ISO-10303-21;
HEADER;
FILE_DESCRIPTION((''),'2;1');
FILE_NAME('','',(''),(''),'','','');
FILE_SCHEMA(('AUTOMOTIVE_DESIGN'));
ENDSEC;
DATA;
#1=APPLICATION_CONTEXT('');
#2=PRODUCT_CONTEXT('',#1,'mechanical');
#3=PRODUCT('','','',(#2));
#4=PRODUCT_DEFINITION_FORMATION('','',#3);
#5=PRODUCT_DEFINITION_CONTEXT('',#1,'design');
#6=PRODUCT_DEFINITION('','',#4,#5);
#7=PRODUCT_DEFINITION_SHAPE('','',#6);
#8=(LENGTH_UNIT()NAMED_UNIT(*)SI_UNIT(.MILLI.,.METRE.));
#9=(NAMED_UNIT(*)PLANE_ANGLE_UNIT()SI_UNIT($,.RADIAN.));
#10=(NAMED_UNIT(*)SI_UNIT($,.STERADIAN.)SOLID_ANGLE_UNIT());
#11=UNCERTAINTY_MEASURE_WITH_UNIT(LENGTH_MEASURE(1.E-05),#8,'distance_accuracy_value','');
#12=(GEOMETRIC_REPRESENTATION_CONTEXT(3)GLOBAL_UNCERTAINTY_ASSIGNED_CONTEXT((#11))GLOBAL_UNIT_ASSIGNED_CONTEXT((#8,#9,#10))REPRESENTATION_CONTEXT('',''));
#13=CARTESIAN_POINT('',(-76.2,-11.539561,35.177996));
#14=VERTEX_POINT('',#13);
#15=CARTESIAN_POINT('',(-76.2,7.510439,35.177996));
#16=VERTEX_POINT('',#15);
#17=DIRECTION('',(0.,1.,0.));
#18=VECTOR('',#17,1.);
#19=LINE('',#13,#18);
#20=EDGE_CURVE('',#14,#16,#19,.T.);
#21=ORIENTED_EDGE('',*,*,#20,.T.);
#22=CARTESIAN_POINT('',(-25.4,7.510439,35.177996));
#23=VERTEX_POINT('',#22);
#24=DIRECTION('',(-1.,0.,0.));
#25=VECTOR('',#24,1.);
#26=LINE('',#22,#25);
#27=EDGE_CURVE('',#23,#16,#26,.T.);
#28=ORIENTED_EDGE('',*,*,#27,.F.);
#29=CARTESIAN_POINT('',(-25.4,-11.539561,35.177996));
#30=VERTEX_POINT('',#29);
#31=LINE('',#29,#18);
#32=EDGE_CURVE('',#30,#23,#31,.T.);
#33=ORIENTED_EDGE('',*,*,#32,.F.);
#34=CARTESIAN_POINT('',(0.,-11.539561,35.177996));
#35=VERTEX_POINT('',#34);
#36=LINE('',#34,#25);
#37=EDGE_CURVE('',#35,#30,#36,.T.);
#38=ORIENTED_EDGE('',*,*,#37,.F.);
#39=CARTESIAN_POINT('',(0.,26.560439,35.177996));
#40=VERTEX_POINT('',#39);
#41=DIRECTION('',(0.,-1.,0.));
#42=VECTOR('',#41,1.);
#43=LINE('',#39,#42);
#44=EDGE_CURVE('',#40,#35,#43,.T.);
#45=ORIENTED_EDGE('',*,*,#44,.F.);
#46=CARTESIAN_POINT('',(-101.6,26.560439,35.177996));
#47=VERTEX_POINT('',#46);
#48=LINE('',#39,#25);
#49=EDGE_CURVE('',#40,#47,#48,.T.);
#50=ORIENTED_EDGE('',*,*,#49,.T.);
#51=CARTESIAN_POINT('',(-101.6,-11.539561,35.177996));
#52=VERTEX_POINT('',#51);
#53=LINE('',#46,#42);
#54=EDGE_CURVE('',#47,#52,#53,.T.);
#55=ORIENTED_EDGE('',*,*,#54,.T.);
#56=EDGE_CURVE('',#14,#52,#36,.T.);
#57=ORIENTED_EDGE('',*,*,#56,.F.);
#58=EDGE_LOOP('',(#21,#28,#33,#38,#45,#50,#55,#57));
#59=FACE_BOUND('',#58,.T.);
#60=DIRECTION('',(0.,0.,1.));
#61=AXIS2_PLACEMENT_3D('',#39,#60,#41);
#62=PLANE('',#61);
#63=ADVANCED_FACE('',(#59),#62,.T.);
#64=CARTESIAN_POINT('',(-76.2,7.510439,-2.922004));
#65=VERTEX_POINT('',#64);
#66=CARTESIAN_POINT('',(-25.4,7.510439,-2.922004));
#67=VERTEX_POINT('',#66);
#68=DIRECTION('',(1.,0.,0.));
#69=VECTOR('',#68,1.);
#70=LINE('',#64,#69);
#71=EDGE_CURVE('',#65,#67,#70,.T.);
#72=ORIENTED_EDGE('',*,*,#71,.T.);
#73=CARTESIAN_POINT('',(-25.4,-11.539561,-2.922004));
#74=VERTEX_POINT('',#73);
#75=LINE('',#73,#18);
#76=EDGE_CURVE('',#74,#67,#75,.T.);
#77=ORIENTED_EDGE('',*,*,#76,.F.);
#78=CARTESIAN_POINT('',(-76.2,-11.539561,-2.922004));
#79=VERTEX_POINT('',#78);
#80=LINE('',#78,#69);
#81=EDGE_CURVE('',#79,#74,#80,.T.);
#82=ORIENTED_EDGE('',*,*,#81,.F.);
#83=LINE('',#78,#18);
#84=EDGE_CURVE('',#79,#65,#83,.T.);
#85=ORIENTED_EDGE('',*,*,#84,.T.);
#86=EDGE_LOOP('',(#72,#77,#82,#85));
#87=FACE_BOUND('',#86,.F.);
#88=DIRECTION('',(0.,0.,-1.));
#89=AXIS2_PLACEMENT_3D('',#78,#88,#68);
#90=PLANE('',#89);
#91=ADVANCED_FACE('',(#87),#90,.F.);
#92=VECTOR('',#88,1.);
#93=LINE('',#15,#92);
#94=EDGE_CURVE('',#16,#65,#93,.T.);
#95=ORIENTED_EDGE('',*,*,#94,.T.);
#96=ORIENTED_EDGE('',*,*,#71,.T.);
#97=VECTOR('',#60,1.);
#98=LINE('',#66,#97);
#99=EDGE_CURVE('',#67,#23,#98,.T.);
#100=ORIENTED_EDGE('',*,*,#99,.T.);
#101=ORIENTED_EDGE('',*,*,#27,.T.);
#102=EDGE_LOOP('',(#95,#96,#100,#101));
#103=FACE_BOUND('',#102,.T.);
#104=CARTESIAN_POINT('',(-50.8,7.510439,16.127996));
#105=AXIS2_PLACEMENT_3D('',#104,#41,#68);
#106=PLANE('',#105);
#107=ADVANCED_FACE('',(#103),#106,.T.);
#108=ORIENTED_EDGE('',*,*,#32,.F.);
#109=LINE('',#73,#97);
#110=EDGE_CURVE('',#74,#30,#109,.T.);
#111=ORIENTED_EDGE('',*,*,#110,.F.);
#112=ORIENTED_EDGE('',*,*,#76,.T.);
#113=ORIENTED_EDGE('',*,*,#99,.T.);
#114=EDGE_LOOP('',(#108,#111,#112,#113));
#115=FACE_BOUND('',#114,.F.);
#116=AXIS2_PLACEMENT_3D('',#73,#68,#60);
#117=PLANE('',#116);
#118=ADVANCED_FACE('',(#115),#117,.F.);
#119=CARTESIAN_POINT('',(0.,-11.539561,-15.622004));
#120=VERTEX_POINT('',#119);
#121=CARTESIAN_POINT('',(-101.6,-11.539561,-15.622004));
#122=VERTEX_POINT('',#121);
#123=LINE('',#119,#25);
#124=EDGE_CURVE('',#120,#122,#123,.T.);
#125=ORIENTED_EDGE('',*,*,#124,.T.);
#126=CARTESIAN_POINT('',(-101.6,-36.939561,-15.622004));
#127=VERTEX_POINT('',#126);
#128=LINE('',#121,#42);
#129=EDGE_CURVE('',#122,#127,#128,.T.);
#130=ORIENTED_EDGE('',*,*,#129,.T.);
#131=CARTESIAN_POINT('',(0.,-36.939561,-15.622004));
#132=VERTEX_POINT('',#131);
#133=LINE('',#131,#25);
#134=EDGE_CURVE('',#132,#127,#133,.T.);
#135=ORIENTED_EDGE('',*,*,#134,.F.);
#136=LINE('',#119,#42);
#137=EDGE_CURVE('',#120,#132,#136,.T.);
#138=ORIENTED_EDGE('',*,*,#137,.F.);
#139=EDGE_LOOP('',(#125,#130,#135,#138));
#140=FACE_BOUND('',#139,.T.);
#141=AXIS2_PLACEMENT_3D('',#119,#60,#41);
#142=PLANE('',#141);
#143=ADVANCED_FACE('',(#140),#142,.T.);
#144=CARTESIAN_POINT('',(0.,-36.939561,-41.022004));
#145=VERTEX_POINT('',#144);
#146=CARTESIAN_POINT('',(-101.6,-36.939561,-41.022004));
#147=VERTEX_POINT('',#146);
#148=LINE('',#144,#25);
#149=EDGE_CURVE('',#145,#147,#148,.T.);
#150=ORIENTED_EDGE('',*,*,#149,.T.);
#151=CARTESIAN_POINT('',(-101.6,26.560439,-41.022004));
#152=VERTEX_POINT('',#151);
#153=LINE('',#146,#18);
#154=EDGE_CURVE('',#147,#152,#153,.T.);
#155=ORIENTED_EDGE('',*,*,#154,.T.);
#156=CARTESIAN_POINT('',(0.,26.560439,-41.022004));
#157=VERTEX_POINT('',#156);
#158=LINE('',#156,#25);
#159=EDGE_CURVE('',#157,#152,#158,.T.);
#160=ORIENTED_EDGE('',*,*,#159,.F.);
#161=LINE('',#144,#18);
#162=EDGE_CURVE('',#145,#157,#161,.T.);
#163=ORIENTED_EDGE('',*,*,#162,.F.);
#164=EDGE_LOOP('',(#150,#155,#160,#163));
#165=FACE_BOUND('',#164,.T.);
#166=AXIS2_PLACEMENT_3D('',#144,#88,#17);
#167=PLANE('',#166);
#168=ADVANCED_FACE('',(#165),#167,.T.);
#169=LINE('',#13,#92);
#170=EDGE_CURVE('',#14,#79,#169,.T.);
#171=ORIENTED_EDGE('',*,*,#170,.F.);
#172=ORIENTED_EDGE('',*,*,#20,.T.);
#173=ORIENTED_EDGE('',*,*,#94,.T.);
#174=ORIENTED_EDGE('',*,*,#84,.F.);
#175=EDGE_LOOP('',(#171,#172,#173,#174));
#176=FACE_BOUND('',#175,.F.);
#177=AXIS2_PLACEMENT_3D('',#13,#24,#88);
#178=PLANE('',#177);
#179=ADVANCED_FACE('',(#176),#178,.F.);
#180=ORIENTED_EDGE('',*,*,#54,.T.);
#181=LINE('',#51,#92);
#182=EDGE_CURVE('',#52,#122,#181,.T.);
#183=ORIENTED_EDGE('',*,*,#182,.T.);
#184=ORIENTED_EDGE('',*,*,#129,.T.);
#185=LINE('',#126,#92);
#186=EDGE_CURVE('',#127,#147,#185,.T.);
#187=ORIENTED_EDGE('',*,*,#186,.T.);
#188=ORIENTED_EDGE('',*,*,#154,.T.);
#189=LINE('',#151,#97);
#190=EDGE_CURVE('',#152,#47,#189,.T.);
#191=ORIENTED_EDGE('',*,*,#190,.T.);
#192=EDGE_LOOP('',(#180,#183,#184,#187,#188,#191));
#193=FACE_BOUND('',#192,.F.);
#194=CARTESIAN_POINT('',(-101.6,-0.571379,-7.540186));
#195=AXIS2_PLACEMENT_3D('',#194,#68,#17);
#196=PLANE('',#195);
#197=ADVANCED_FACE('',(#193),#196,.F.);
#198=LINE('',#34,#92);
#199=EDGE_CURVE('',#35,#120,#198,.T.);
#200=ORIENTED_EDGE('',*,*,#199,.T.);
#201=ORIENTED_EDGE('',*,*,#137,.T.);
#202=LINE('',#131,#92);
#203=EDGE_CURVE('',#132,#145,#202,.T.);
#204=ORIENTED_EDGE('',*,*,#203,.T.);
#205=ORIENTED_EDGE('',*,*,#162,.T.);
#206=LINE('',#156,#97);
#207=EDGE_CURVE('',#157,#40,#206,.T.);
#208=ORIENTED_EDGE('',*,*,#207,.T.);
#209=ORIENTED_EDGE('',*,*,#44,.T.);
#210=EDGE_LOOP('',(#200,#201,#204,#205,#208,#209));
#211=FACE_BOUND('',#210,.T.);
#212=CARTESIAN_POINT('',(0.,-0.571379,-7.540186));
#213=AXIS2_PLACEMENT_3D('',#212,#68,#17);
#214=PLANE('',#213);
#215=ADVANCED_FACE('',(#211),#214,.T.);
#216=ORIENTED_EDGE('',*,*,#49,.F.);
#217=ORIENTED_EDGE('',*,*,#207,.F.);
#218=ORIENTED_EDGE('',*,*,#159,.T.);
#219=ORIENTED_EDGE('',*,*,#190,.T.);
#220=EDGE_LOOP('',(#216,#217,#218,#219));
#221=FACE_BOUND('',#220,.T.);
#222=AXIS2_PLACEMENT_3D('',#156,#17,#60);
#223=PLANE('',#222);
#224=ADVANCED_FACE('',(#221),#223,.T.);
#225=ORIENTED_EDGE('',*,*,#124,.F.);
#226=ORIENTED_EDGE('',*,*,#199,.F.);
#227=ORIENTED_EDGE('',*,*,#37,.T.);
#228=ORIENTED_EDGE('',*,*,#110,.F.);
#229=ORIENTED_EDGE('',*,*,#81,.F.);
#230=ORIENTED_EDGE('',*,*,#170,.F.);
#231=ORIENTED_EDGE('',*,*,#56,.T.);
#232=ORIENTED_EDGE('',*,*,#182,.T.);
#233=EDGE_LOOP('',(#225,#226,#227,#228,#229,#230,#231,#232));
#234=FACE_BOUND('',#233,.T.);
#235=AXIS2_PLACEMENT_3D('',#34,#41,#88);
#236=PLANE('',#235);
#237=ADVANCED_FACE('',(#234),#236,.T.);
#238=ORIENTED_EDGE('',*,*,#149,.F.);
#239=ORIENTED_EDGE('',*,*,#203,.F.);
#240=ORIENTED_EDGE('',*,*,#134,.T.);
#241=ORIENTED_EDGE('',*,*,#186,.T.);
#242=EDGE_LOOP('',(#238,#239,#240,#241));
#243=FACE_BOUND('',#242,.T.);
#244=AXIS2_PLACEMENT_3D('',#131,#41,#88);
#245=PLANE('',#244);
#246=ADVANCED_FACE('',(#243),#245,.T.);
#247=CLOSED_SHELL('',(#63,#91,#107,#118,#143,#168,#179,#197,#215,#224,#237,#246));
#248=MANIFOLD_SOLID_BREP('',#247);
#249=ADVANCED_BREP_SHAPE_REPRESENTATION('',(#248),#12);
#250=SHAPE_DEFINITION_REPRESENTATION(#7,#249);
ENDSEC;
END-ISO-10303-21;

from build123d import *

# Parameters (mm, degrees)
F1_DEPTH = 101.6
F3_DEPTH = 19.05


with BuildPart() as f1:
    # F0 (on Right) → F1 (new body)
    with BuildSketch(Plane.YZ):
        Polygon((26.560439, 35.177996), (-11.539561, 35.177996), (-11.539561, -15.622004), (-36.939561, -15.622004), (-36.939561, -41.022004), (26.560439, -41.022004), align=None)
    extrude(amount=-F1_DEPTH)

    # F2 (on face) → F3 (cut)
    with BuildSketch(Plane.XZ.offset(11.539561)):
        Polygon((-76.2, 35.177996), (-76.2, 16.167367), (-76.2, -2.922004), (-25.4, -2.922004), (-25.4, 35.177996), align=None)
    extrude(amount=-F3_DEPTH, mode=Mode.SUBTRACT)


solid = f1.part
